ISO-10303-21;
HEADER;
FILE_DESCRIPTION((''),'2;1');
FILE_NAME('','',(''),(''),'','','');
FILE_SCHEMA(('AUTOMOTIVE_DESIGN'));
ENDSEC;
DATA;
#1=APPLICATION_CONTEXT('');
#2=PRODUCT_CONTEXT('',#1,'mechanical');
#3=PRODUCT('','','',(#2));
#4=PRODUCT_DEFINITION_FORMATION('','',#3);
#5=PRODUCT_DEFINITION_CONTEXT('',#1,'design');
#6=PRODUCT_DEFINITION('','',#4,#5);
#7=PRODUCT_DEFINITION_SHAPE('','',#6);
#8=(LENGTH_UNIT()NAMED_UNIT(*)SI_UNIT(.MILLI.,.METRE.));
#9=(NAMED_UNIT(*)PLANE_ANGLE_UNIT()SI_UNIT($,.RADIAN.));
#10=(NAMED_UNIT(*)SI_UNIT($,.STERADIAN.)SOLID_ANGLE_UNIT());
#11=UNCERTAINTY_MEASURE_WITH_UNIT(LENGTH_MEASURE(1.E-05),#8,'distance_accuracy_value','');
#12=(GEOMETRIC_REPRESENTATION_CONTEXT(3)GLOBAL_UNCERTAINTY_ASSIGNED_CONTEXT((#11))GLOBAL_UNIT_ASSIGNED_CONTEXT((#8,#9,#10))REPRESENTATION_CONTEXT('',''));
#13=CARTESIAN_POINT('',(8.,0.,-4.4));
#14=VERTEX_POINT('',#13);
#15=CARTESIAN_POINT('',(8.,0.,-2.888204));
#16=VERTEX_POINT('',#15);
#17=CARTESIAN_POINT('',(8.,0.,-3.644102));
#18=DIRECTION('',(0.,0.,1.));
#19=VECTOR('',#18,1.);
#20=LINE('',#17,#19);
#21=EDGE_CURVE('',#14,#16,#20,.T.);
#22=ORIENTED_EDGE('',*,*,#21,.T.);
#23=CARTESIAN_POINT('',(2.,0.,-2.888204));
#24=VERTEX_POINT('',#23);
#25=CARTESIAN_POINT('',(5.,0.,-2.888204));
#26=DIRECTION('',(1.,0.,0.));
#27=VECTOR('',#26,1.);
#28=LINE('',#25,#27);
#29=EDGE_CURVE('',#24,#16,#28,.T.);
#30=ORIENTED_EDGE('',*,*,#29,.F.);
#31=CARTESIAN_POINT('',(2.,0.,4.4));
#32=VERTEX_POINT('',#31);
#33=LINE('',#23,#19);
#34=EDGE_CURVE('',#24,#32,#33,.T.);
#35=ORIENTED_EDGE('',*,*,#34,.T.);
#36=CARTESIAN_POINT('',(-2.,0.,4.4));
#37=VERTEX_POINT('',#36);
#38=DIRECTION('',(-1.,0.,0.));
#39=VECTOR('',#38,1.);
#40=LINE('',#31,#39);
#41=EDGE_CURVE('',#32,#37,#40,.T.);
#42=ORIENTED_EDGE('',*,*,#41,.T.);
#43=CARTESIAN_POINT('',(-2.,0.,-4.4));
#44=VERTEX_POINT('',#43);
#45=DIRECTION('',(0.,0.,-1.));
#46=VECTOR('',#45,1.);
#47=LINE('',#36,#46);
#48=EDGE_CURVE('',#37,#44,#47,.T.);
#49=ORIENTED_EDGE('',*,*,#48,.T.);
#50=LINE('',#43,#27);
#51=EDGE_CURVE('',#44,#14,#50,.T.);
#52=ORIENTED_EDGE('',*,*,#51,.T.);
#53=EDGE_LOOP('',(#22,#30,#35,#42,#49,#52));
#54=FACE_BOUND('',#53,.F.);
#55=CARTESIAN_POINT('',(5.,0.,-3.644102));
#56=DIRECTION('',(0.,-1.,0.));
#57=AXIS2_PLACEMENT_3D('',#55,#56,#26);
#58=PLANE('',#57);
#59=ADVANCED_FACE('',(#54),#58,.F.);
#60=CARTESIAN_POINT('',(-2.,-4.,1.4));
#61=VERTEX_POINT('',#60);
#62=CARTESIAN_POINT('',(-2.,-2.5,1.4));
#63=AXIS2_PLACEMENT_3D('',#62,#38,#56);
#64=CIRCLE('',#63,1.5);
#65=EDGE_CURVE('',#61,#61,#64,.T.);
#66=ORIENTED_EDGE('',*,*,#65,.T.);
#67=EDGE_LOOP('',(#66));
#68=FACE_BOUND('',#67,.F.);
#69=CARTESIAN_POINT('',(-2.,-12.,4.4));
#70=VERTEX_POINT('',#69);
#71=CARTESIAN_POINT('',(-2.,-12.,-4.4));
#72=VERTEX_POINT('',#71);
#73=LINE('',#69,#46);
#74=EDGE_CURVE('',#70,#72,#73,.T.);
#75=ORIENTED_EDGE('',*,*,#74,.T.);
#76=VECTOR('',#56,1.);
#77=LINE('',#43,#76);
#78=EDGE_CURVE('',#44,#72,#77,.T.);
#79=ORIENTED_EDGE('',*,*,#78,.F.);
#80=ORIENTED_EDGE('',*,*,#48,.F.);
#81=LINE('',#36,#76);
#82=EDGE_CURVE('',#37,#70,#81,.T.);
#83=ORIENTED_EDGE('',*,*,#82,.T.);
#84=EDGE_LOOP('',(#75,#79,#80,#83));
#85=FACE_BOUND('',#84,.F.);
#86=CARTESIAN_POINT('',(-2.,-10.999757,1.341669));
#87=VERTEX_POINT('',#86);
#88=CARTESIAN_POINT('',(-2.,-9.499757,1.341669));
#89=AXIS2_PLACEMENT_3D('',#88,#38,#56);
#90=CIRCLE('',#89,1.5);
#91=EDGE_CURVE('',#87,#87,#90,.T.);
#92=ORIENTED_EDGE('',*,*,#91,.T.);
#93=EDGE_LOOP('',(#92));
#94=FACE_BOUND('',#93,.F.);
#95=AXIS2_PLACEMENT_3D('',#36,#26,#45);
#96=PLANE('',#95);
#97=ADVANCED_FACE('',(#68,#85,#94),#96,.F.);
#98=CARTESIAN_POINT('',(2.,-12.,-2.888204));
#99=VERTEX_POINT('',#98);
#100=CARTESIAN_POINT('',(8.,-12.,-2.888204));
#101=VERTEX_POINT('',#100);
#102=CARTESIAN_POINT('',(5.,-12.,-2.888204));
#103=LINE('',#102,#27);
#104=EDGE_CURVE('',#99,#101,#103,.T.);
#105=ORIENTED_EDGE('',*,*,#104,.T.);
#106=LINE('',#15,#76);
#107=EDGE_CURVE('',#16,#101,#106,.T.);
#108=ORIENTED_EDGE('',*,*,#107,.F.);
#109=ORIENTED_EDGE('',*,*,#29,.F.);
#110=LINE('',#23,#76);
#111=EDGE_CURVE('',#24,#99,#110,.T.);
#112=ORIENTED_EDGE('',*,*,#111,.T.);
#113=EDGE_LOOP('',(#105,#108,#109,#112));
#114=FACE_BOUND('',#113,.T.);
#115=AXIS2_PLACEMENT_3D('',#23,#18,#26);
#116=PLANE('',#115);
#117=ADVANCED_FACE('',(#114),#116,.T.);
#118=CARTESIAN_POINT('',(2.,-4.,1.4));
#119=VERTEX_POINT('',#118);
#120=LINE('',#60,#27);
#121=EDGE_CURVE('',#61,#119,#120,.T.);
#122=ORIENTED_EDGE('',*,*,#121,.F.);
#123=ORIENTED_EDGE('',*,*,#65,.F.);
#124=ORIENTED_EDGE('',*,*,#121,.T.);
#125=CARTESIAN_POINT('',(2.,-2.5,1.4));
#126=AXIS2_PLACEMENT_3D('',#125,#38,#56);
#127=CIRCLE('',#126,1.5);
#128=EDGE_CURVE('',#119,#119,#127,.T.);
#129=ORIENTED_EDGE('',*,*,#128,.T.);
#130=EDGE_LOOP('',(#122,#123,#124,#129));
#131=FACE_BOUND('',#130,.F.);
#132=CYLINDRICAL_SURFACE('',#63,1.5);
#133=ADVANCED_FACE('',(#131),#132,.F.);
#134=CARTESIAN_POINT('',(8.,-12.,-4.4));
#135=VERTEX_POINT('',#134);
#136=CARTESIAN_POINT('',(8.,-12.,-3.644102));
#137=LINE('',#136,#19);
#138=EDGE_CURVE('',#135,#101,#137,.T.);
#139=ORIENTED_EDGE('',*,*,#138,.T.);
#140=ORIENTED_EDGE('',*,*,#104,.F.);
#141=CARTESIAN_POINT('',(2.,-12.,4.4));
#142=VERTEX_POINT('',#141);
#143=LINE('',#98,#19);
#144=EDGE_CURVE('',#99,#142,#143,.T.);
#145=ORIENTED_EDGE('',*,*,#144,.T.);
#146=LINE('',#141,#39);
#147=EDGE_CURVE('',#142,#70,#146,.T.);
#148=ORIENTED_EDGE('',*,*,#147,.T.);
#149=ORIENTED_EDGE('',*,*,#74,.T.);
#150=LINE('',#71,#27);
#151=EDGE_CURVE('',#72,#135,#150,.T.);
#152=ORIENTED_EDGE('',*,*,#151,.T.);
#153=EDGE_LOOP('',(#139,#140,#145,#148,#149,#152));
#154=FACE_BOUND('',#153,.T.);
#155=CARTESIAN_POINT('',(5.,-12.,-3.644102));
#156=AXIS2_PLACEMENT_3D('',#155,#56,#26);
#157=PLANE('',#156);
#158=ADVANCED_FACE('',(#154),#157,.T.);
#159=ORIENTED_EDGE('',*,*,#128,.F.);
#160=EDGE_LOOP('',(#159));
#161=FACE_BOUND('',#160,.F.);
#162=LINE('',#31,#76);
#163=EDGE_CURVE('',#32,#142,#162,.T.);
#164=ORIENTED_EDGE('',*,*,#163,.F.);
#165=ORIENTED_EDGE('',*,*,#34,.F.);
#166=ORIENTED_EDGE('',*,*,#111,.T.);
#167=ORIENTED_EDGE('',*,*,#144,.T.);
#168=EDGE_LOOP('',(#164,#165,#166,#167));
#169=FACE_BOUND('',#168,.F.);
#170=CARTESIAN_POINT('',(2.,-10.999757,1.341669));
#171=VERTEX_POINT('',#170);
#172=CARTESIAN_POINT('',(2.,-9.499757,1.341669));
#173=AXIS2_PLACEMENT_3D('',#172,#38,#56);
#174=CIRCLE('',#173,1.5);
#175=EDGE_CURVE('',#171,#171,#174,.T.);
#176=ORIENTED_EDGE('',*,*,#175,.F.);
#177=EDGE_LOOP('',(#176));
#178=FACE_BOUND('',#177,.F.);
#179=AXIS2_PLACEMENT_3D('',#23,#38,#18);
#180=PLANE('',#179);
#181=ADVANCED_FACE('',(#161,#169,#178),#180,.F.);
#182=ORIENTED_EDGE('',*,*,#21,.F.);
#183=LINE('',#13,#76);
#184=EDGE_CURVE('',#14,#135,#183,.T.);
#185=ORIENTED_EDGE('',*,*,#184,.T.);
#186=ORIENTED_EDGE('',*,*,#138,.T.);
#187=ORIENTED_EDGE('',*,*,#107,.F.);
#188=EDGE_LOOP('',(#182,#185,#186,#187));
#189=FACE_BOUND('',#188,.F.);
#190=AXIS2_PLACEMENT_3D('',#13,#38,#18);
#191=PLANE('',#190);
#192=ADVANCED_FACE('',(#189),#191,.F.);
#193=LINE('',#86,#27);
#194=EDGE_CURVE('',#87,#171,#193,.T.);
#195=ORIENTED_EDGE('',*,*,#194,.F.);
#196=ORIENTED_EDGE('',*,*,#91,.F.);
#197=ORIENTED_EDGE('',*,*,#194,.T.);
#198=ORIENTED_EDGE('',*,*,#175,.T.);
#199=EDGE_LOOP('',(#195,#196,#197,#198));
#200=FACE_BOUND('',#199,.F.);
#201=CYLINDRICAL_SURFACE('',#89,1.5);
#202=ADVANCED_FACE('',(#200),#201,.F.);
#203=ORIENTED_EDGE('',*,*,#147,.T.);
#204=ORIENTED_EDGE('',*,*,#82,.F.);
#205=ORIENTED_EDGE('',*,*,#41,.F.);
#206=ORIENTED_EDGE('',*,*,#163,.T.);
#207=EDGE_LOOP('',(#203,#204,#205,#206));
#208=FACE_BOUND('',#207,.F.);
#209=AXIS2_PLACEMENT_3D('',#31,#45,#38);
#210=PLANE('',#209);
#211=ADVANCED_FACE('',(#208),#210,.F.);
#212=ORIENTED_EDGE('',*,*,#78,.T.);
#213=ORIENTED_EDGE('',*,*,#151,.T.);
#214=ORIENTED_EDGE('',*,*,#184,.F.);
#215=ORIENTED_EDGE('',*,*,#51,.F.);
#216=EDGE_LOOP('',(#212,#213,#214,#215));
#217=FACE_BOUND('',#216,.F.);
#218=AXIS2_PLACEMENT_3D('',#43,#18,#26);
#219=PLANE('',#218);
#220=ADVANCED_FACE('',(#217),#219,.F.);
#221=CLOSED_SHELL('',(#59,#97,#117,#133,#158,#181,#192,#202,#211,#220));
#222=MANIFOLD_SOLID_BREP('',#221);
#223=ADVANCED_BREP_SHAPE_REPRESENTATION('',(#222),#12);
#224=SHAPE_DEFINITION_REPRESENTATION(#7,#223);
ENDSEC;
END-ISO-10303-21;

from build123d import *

# Parameters (mm, degrees)
F0_W     = 6
F0_H     = 1.511796
F1_DEPTH = 12
F2_R     = 1.5
F3_DEPTH = 25


with BuildPart() as f1:
    # F0 (on Front) → F1 (new body)
    with BuildSketch(Plane.XZ):
        with Locations((5, -3.644102)):
            Rectangle(F0_W, F0_H)
        Polygon((-2, -4.4), (2, -4.4), (2, -2.888204), (2, 4.4), (-2, 4.4), align=None)
    extrude(amount=F1_DEPTH)

    # F2 (on face) → F3 (cut)
    with BuildSketch(Plane(origin=(-2, 0, 0), x_dir=(0, -1, 0), z_dir=(-1, 0, 0))):
        with Locations((2.5, 1.4)):
            Circle(F2_R)
        with Locations((9.499757, 1.341669)):
            Circle(F2_R)
    extrude(amount=-F3_DEPTH, mode=Mode.SUBTRACT)


solid = f1.part
